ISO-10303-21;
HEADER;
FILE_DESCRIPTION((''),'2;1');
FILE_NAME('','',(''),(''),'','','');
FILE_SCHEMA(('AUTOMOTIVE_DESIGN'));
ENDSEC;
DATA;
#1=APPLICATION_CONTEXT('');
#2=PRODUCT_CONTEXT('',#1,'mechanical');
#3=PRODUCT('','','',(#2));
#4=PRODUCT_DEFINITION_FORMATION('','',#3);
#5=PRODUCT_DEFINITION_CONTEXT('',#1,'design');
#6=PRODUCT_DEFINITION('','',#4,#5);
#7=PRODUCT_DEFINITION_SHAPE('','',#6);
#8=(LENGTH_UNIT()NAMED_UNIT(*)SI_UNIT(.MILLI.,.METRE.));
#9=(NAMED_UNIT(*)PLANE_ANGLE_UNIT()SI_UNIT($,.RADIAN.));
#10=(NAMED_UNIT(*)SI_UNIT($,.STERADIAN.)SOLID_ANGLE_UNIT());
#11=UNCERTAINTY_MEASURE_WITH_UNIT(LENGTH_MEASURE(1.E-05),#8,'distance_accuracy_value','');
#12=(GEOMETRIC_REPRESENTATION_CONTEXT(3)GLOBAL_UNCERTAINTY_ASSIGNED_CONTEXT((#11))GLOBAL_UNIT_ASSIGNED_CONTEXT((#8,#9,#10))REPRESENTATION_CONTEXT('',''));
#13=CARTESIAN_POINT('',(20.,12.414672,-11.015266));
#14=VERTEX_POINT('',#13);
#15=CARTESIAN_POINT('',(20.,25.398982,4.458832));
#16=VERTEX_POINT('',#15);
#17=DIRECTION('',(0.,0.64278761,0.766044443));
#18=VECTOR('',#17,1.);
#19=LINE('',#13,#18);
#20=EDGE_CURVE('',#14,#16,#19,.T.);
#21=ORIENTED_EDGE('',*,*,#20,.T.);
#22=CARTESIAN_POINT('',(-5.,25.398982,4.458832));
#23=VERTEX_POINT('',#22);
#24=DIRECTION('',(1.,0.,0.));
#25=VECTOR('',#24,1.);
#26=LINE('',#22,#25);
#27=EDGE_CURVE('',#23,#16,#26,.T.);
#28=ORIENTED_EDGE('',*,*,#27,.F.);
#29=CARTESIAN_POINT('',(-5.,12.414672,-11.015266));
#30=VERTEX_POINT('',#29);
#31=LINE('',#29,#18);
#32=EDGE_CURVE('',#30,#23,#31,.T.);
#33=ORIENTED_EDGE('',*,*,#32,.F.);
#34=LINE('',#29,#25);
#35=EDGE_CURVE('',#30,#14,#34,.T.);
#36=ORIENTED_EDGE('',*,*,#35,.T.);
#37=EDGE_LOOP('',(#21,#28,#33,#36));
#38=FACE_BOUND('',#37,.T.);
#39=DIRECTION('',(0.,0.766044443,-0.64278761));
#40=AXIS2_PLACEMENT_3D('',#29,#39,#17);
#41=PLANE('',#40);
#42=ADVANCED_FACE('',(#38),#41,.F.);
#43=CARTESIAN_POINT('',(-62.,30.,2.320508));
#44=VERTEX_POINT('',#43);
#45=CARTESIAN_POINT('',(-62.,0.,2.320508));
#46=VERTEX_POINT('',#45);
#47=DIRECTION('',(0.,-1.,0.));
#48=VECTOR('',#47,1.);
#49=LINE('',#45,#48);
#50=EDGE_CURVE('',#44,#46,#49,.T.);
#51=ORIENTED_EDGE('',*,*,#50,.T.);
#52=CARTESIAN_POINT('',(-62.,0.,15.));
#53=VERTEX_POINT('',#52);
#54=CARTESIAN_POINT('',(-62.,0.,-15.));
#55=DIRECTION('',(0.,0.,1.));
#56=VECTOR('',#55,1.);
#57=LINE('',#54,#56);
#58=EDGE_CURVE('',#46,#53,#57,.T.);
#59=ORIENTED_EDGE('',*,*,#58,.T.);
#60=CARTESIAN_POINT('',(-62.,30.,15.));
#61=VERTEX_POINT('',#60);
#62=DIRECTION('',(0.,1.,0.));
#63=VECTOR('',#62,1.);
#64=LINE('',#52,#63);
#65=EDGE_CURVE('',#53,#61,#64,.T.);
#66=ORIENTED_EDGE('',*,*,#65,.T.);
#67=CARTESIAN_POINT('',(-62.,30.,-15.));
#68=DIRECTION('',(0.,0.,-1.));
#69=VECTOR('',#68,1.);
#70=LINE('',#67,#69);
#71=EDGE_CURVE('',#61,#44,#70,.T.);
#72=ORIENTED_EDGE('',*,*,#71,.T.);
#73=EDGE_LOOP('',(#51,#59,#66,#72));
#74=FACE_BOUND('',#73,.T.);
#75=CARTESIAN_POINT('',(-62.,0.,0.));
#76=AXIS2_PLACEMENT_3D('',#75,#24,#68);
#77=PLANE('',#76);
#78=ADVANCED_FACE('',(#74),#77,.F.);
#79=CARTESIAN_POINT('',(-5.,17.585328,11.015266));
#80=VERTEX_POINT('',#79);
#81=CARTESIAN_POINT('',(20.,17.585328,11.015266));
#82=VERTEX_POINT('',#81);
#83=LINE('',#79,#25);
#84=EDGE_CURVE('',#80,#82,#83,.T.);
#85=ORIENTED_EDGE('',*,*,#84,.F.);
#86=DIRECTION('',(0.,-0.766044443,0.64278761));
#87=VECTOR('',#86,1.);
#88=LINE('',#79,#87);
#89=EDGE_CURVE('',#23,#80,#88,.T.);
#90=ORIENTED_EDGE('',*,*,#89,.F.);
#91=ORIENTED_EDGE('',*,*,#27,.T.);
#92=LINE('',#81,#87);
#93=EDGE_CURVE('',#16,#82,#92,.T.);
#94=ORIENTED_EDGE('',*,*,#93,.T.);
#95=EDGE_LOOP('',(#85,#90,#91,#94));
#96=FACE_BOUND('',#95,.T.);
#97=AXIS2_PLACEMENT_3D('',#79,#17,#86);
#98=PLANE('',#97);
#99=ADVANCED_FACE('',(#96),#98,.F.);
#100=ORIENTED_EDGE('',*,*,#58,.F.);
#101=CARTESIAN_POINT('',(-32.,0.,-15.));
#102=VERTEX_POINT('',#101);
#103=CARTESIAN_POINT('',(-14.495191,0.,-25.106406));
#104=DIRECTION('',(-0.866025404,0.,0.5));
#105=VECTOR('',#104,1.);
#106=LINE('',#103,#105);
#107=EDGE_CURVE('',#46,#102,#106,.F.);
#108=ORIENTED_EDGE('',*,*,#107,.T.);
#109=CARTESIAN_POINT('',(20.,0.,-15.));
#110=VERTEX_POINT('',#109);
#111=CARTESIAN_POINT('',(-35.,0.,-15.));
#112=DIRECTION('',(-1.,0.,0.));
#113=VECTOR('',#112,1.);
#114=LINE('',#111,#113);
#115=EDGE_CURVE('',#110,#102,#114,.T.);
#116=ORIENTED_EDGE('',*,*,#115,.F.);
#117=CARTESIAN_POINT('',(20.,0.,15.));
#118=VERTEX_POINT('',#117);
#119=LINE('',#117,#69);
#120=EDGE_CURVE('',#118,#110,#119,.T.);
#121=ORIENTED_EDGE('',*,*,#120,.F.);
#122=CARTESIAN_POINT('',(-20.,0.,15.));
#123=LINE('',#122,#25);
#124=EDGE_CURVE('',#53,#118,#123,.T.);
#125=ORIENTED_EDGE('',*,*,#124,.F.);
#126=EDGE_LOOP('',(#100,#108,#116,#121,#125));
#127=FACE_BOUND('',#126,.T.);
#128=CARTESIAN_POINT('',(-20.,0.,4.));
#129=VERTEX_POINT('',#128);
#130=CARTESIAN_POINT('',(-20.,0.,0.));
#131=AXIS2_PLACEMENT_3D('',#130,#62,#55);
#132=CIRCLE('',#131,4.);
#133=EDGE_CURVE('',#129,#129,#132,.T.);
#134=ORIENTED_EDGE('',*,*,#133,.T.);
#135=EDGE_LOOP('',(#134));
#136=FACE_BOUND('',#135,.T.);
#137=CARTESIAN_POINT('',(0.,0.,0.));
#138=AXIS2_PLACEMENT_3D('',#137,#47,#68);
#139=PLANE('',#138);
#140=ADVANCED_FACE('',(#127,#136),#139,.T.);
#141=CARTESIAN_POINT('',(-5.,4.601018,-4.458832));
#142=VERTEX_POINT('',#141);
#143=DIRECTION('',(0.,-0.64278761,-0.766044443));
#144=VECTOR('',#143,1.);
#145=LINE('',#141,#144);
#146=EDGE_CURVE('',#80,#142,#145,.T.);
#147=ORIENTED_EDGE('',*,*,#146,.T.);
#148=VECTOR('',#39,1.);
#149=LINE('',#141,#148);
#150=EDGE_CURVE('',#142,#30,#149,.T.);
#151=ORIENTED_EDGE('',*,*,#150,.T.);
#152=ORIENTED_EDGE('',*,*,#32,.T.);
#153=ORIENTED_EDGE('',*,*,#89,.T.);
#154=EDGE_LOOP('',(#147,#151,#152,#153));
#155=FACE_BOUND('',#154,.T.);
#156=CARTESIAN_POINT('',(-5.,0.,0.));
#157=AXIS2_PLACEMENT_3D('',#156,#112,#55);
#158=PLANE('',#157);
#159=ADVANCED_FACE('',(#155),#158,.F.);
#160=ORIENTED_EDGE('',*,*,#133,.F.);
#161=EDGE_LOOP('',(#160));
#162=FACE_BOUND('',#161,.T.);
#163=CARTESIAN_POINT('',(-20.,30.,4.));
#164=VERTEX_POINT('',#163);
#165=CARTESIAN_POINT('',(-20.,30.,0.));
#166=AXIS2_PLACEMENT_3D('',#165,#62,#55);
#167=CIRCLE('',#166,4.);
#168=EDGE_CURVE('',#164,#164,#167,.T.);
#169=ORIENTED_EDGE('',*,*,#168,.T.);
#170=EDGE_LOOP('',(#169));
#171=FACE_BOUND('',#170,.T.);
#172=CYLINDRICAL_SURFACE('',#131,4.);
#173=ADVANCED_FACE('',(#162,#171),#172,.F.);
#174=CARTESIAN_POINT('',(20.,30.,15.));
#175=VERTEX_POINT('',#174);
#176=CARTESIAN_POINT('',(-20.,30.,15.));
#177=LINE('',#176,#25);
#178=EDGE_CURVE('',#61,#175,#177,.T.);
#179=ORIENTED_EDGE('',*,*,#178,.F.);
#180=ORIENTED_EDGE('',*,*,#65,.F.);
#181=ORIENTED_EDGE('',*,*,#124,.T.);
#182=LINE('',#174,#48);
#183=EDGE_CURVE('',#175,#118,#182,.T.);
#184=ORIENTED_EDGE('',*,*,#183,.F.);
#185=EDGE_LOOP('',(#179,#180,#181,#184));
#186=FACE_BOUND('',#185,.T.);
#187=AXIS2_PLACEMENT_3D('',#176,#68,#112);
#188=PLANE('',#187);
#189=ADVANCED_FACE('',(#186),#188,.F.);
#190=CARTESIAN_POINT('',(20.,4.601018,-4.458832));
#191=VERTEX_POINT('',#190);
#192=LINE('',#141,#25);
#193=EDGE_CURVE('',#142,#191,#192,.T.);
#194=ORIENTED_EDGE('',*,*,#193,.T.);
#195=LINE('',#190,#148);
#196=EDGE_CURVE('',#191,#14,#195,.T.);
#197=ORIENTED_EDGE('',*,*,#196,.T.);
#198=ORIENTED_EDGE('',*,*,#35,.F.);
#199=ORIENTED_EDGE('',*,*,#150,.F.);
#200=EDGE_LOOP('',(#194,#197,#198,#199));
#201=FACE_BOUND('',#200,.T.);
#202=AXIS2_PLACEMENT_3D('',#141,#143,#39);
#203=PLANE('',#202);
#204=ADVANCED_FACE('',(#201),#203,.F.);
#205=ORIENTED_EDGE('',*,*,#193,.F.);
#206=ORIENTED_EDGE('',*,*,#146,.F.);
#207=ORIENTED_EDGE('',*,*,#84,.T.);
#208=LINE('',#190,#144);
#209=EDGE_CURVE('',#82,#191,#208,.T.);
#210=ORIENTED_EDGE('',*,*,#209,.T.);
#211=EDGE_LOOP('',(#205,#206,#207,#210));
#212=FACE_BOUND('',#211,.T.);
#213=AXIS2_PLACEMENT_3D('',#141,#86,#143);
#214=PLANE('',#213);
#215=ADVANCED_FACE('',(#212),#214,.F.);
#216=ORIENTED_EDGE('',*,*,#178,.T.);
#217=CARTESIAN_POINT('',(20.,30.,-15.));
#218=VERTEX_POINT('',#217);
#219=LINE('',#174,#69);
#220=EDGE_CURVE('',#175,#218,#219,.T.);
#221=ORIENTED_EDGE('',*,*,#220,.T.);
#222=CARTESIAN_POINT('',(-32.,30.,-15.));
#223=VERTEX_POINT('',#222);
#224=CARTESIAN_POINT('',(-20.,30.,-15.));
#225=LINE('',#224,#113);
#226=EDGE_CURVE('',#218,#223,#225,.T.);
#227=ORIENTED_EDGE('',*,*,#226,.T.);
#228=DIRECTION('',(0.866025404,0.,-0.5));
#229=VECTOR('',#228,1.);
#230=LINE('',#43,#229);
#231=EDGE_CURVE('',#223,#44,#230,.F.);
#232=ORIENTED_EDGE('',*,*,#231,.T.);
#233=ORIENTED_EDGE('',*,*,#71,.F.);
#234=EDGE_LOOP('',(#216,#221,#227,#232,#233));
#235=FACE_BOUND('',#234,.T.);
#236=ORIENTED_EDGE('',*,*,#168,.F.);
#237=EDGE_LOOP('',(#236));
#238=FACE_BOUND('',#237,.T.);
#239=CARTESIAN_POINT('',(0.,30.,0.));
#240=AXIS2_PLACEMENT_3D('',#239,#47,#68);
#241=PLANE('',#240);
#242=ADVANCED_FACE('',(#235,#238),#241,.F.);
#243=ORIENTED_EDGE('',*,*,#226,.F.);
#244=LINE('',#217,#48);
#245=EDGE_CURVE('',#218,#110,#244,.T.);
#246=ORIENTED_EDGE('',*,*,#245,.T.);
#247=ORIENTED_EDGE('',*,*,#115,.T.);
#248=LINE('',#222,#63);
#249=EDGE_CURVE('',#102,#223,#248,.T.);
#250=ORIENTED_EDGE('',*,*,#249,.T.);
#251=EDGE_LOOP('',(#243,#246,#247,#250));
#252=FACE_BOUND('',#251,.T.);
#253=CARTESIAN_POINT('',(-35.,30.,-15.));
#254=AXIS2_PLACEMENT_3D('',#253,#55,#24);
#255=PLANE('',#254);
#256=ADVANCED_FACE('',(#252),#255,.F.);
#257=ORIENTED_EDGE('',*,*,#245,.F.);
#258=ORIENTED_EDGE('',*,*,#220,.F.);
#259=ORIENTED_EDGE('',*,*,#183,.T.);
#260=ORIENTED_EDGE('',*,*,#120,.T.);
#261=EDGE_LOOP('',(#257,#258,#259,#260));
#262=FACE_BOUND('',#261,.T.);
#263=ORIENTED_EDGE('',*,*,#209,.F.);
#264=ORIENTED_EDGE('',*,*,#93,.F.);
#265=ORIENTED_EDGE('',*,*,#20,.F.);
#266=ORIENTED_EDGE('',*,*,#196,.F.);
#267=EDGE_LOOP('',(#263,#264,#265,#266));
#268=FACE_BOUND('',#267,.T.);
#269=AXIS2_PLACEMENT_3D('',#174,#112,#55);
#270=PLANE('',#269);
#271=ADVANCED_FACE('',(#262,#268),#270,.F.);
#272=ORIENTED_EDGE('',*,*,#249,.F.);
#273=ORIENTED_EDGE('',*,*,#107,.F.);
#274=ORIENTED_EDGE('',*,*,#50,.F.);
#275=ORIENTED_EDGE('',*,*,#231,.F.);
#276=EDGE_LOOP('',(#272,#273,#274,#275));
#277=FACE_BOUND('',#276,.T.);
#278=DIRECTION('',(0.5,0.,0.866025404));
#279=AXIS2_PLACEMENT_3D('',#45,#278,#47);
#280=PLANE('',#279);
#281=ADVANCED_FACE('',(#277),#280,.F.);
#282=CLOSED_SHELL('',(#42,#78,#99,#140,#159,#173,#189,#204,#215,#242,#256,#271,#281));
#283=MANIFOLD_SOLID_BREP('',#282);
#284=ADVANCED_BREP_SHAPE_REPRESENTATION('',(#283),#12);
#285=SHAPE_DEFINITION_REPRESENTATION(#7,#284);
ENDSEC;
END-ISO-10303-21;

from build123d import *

# Parameters (mm, degrees)
EXTRUDE_1_DEPTH     = 30
SKETCH_2_R          = 4
CUT_EXTRUDE_1_DEPTH = 49.476798574
CUT_EXTRUDE_4_DEPTH = 25
SKETCH1_W           = 30
SKETCH1_H           = 30
BOSS_EXTRUDE1_DEPTH = 27
CHAMFER1_SIZE       = 30
CHAMFER1_SIZE2      = 17.320508076


with BuildPart() as part:
    # Эскиз1 → Бобышка-Вытянуть1 (new body)
    with BuildSketch(Plane(origin=(0, 0, 0), x_dir=(1, 0, 0), z_dir=(0, 1, 0))):
        Polygon((-20, -15), (-35, -15), (-35, 15), (-20, 15), (20, 15), (20, -15), align=None)
    extrude(amount=EXTRUDE_1_DEPTH)

    # Эскиз2 → Вырез-Вытянуть1 (cut, through all)
    with BuildSketch(Plane(origin=(0, 30, 0), x_dir=(1, 0, 0), z_dir=(0, 1, 0))):
        with Locations(Location((-20, 0, 0), (0, 0, 270))):
            Circle(SKETCH_2_R)
    extrude(amount=-CUT_EXTRUDE_1_DEPTH, mode=Mode.SUBTRACT)

    # Эскиз5 → Вырез-Вытянуть4 (cut)
    with BuildSketch(Plane(origin=(20, 0, 0), x_dir=(0, 0, -1), z_dir=(1, 0, 0))):
        Polygon((4.458832066, 4.601018482), (11.015265685, 12.414671802), (-4.458832066, 25.398981518), (-11.015265685, 17.585328198), align=None)
    extrude(amount=-CUT_EXTRUDE_4_DEPTH, mode=Mode.SUBTRACT)

    # Sketch1 → Boss-Extrude1 (add)
    with BuildSketch(Plane.ZY.offset(35)):
        with Locations((0, 15)):
            Rectangle(SKETCH1_W, SKETCH1_H)
    extrude(amount=BOSS_EXTRUDE1_DEPTH)

    # Chamfer1
    chamfer1_edges = [part.edges().sort_by_distance(p)[0] for p in [
        (-62, 15, -15),
    ]]
    chamfer1_side = [part.faces().sort_by_distance(p)[0] for p in [
        (-21, 15, -15),
    ]]
    chamfer(chamfer1_edges, length=CHAMFER1_SIZE, length2=CHAMFER1_SIZE2, reference=chamfer1_side[0])


solid = part.part
